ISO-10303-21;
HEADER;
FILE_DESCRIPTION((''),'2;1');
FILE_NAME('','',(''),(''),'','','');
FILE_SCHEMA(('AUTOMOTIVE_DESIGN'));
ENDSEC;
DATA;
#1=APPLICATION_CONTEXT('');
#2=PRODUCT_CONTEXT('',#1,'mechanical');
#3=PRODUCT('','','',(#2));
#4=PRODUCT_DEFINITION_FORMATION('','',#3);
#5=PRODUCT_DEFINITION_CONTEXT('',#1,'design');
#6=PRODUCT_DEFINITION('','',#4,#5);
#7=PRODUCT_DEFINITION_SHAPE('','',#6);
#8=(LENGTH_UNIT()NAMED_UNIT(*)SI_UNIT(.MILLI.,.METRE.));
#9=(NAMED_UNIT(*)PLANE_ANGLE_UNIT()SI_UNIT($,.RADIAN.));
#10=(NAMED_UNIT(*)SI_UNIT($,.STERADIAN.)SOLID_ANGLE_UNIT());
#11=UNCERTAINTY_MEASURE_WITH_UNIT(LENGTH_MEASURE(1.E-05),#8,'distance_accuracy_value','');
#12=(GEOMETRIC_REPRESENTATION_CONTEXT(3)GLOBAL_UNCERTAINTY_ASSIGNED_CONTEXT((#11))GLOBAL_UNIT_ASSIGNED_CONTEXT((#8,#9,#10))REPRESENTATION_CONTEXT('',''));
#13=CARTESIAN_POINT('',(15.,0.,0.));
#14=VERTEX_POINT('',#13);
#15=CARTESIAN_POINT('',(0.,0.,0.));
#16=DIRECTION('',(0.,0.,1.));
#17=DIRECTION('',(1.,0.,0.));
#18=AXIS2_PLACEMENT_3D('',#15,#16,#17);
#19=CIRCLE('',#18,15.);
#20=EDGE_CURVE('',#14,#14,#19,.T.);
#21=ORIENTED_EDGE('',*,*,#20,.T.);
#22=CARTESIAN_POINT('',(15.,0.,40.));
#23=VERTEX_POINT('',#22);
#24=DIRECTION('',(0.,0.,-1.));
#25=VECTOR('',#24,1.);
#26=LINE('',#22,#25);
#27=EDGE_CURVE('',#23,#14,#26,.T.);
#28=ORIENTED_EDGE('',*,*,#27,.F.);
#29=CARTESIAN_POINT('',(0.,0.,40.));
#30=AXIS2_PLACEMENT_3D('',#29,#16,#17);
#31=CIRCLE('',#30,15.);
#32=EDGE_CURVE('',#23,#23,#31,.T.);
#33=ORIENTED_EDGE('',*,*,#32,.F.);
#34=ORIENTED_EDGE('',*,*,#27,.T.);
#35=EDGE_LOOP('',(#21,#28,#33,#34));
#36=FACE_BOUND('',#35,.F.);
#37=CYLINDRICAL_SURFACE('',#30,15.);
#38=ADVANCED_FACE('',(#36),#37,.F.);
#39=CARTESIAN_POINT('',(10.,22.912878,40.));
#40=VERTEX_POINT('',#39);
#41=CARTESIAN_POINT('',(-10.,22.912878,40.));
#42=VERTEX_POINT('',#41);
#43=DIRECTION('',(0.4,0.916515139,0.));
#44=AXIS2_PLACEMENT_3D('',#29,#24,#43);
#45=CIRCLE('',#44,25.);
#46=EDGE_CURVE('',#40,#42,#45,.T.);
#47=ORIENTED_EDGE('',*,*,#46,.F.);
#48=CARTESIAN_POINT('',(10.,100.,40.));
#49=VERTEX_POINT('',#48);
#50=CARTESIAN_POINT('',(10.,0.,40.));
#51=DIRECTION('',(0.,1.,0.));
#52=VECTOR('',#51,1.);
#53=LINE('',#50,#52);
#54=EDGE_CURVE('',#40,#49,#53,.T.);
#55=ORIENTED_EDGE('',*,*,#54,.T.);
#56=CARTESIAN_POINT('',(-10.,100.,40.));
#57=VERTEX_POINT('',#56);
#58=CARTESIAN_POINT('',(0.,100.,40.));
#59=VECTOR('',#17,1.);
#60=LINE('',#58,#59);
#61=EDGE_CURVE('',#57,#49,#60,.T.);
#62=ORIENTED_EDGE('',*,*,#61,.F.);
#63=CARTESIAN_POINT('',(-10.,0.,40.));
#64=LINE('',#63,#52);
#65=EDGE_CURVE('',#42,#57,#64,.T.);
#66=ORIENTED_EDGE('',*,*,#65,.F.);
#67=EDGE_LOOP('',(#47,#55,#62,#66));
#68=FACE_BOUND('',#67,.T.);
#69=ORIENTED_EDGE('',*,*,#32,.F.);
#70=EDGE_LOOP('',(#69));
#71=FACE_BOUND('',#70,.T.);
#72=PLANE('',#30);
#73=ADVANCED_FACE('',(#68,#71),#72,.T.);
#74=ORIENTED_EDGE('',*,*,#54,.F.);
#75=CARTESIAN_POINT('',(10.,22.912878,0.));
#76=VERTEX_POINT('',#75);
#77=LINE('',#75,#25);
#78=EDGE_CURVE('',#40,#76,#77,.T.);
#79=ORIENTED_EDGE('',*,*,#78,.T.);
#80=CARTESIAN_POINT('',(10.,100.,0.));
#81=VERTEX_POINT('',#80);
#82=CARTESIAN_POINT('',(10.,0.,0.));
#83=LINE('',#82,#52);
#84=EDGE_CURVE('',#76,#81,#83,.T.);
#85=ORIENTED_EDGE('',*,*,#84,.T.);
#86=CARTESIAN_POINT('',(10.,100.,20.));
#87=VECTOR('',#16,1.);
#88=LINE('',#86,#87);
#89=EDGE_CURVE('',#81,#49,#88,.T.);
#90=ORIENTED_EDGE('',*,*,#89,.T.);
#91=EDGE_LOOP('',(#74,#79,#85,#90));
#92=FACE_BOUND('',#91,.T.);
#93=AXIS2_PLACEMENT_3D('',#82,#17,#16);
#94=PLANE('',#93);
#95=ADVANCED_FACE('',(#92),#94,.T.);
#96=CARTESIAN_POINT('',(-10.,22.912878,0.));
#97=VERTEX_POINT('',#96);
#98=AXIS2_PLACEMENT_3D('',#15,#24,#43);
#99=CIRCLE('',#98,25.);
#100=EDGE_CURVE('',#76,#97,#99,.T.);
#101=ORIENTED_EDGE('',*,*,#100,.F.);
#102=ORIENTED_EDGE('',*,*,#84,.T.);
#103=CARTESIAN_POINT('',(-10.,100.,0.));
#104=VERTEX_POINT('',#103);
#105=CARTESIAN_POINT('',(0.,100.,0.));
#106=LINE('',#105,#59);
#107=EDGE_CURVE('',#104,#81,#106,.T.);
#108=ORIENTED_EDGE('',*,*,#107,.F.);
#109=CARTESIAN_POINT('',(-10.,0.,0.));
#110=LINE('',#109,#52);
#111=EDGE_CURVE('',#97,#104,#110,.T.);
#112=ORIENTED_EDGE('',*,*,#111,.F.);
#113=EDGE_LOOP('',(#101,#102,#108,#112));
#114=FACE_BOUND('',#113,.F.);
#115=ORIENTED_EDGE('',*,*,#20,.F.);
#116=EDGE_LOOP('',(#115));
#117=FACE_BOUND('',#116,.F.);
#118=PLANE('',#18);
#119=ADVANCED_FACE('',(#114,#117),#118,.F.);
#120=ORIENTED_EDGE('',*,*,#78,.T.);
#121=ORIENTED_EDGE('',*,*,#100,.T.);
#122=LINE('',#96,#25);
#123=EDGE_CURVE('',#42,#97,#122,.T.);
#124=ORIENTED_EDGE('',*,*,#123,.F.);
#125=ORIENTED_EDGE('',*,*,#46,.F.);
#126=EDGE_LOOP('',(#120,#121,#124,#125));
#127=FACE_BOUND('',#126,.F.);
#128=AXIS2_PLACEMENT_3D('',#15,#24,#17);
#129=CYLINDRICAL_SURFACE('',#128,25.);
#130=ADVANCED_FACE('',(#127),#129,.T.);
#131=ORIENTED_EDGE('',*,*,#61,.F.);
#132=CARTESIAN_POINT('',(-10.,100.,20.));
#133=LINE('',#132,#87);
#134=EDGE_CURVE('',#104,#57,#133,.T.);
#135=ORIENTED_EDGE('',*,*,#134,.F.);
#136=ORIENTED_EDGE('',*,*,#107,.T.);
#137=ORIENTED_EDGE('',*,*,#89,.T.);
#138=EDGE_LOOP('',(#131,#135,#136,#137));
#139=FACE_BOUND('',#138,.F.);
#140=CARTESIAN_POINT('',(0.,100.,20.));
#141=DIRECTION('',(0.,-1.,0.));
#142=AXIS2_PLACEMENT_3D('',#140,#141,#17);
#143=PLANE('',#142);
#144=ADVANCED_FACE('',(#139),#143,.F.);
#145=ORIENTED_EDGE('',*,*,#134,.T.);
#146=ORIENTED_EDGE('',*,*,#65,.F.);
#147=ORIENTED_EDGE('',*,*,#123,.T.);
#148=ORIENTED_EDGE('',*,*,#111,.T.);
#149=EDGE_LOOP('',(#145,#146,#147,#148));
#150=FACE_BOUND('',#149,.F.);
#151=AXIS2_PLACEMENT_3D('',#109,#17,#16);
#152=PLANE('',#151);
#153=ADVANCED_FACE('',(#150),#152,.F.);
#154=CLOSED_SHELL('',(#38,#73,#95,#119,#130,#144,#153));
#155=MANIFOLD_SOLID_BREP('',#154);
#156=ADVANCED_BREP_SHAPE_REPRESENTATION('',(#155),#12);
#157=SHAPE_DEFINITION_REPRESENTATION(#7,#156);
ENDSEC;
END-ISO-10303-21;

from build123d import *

# Parameters (mm, degrees)
F0_R     = 25
F1_DEPTH = 40
F2_W     = 20
F2_H     = 40
F3_DEPTH = 100
F4_R     = 15
F5_DEPTH = 43


with BuildPart() as f1:
    # F0 (on Top) → F1 (new body)
    with BuildSketch(Plane.XY):
        Circle(F0_R)
    extrude(amount=F1_DEPTH)

    # F2 (on Front) → F3 (join)
    with BuildSketch(Plane.XZ):
        with Locations((0, 20)):
            Rectangle(F2_W, F2_H)
    extrude(amount=-F3_DEPTH)

    # F4 (on face) → F5 (cut)
    with BuildSketch(Plane.XY.offset(40)):
        Circle(F4_R)
    extrude(amount=-F5_DEPTH, mode=Mode.SUBTRACT)


solid = f1.part
